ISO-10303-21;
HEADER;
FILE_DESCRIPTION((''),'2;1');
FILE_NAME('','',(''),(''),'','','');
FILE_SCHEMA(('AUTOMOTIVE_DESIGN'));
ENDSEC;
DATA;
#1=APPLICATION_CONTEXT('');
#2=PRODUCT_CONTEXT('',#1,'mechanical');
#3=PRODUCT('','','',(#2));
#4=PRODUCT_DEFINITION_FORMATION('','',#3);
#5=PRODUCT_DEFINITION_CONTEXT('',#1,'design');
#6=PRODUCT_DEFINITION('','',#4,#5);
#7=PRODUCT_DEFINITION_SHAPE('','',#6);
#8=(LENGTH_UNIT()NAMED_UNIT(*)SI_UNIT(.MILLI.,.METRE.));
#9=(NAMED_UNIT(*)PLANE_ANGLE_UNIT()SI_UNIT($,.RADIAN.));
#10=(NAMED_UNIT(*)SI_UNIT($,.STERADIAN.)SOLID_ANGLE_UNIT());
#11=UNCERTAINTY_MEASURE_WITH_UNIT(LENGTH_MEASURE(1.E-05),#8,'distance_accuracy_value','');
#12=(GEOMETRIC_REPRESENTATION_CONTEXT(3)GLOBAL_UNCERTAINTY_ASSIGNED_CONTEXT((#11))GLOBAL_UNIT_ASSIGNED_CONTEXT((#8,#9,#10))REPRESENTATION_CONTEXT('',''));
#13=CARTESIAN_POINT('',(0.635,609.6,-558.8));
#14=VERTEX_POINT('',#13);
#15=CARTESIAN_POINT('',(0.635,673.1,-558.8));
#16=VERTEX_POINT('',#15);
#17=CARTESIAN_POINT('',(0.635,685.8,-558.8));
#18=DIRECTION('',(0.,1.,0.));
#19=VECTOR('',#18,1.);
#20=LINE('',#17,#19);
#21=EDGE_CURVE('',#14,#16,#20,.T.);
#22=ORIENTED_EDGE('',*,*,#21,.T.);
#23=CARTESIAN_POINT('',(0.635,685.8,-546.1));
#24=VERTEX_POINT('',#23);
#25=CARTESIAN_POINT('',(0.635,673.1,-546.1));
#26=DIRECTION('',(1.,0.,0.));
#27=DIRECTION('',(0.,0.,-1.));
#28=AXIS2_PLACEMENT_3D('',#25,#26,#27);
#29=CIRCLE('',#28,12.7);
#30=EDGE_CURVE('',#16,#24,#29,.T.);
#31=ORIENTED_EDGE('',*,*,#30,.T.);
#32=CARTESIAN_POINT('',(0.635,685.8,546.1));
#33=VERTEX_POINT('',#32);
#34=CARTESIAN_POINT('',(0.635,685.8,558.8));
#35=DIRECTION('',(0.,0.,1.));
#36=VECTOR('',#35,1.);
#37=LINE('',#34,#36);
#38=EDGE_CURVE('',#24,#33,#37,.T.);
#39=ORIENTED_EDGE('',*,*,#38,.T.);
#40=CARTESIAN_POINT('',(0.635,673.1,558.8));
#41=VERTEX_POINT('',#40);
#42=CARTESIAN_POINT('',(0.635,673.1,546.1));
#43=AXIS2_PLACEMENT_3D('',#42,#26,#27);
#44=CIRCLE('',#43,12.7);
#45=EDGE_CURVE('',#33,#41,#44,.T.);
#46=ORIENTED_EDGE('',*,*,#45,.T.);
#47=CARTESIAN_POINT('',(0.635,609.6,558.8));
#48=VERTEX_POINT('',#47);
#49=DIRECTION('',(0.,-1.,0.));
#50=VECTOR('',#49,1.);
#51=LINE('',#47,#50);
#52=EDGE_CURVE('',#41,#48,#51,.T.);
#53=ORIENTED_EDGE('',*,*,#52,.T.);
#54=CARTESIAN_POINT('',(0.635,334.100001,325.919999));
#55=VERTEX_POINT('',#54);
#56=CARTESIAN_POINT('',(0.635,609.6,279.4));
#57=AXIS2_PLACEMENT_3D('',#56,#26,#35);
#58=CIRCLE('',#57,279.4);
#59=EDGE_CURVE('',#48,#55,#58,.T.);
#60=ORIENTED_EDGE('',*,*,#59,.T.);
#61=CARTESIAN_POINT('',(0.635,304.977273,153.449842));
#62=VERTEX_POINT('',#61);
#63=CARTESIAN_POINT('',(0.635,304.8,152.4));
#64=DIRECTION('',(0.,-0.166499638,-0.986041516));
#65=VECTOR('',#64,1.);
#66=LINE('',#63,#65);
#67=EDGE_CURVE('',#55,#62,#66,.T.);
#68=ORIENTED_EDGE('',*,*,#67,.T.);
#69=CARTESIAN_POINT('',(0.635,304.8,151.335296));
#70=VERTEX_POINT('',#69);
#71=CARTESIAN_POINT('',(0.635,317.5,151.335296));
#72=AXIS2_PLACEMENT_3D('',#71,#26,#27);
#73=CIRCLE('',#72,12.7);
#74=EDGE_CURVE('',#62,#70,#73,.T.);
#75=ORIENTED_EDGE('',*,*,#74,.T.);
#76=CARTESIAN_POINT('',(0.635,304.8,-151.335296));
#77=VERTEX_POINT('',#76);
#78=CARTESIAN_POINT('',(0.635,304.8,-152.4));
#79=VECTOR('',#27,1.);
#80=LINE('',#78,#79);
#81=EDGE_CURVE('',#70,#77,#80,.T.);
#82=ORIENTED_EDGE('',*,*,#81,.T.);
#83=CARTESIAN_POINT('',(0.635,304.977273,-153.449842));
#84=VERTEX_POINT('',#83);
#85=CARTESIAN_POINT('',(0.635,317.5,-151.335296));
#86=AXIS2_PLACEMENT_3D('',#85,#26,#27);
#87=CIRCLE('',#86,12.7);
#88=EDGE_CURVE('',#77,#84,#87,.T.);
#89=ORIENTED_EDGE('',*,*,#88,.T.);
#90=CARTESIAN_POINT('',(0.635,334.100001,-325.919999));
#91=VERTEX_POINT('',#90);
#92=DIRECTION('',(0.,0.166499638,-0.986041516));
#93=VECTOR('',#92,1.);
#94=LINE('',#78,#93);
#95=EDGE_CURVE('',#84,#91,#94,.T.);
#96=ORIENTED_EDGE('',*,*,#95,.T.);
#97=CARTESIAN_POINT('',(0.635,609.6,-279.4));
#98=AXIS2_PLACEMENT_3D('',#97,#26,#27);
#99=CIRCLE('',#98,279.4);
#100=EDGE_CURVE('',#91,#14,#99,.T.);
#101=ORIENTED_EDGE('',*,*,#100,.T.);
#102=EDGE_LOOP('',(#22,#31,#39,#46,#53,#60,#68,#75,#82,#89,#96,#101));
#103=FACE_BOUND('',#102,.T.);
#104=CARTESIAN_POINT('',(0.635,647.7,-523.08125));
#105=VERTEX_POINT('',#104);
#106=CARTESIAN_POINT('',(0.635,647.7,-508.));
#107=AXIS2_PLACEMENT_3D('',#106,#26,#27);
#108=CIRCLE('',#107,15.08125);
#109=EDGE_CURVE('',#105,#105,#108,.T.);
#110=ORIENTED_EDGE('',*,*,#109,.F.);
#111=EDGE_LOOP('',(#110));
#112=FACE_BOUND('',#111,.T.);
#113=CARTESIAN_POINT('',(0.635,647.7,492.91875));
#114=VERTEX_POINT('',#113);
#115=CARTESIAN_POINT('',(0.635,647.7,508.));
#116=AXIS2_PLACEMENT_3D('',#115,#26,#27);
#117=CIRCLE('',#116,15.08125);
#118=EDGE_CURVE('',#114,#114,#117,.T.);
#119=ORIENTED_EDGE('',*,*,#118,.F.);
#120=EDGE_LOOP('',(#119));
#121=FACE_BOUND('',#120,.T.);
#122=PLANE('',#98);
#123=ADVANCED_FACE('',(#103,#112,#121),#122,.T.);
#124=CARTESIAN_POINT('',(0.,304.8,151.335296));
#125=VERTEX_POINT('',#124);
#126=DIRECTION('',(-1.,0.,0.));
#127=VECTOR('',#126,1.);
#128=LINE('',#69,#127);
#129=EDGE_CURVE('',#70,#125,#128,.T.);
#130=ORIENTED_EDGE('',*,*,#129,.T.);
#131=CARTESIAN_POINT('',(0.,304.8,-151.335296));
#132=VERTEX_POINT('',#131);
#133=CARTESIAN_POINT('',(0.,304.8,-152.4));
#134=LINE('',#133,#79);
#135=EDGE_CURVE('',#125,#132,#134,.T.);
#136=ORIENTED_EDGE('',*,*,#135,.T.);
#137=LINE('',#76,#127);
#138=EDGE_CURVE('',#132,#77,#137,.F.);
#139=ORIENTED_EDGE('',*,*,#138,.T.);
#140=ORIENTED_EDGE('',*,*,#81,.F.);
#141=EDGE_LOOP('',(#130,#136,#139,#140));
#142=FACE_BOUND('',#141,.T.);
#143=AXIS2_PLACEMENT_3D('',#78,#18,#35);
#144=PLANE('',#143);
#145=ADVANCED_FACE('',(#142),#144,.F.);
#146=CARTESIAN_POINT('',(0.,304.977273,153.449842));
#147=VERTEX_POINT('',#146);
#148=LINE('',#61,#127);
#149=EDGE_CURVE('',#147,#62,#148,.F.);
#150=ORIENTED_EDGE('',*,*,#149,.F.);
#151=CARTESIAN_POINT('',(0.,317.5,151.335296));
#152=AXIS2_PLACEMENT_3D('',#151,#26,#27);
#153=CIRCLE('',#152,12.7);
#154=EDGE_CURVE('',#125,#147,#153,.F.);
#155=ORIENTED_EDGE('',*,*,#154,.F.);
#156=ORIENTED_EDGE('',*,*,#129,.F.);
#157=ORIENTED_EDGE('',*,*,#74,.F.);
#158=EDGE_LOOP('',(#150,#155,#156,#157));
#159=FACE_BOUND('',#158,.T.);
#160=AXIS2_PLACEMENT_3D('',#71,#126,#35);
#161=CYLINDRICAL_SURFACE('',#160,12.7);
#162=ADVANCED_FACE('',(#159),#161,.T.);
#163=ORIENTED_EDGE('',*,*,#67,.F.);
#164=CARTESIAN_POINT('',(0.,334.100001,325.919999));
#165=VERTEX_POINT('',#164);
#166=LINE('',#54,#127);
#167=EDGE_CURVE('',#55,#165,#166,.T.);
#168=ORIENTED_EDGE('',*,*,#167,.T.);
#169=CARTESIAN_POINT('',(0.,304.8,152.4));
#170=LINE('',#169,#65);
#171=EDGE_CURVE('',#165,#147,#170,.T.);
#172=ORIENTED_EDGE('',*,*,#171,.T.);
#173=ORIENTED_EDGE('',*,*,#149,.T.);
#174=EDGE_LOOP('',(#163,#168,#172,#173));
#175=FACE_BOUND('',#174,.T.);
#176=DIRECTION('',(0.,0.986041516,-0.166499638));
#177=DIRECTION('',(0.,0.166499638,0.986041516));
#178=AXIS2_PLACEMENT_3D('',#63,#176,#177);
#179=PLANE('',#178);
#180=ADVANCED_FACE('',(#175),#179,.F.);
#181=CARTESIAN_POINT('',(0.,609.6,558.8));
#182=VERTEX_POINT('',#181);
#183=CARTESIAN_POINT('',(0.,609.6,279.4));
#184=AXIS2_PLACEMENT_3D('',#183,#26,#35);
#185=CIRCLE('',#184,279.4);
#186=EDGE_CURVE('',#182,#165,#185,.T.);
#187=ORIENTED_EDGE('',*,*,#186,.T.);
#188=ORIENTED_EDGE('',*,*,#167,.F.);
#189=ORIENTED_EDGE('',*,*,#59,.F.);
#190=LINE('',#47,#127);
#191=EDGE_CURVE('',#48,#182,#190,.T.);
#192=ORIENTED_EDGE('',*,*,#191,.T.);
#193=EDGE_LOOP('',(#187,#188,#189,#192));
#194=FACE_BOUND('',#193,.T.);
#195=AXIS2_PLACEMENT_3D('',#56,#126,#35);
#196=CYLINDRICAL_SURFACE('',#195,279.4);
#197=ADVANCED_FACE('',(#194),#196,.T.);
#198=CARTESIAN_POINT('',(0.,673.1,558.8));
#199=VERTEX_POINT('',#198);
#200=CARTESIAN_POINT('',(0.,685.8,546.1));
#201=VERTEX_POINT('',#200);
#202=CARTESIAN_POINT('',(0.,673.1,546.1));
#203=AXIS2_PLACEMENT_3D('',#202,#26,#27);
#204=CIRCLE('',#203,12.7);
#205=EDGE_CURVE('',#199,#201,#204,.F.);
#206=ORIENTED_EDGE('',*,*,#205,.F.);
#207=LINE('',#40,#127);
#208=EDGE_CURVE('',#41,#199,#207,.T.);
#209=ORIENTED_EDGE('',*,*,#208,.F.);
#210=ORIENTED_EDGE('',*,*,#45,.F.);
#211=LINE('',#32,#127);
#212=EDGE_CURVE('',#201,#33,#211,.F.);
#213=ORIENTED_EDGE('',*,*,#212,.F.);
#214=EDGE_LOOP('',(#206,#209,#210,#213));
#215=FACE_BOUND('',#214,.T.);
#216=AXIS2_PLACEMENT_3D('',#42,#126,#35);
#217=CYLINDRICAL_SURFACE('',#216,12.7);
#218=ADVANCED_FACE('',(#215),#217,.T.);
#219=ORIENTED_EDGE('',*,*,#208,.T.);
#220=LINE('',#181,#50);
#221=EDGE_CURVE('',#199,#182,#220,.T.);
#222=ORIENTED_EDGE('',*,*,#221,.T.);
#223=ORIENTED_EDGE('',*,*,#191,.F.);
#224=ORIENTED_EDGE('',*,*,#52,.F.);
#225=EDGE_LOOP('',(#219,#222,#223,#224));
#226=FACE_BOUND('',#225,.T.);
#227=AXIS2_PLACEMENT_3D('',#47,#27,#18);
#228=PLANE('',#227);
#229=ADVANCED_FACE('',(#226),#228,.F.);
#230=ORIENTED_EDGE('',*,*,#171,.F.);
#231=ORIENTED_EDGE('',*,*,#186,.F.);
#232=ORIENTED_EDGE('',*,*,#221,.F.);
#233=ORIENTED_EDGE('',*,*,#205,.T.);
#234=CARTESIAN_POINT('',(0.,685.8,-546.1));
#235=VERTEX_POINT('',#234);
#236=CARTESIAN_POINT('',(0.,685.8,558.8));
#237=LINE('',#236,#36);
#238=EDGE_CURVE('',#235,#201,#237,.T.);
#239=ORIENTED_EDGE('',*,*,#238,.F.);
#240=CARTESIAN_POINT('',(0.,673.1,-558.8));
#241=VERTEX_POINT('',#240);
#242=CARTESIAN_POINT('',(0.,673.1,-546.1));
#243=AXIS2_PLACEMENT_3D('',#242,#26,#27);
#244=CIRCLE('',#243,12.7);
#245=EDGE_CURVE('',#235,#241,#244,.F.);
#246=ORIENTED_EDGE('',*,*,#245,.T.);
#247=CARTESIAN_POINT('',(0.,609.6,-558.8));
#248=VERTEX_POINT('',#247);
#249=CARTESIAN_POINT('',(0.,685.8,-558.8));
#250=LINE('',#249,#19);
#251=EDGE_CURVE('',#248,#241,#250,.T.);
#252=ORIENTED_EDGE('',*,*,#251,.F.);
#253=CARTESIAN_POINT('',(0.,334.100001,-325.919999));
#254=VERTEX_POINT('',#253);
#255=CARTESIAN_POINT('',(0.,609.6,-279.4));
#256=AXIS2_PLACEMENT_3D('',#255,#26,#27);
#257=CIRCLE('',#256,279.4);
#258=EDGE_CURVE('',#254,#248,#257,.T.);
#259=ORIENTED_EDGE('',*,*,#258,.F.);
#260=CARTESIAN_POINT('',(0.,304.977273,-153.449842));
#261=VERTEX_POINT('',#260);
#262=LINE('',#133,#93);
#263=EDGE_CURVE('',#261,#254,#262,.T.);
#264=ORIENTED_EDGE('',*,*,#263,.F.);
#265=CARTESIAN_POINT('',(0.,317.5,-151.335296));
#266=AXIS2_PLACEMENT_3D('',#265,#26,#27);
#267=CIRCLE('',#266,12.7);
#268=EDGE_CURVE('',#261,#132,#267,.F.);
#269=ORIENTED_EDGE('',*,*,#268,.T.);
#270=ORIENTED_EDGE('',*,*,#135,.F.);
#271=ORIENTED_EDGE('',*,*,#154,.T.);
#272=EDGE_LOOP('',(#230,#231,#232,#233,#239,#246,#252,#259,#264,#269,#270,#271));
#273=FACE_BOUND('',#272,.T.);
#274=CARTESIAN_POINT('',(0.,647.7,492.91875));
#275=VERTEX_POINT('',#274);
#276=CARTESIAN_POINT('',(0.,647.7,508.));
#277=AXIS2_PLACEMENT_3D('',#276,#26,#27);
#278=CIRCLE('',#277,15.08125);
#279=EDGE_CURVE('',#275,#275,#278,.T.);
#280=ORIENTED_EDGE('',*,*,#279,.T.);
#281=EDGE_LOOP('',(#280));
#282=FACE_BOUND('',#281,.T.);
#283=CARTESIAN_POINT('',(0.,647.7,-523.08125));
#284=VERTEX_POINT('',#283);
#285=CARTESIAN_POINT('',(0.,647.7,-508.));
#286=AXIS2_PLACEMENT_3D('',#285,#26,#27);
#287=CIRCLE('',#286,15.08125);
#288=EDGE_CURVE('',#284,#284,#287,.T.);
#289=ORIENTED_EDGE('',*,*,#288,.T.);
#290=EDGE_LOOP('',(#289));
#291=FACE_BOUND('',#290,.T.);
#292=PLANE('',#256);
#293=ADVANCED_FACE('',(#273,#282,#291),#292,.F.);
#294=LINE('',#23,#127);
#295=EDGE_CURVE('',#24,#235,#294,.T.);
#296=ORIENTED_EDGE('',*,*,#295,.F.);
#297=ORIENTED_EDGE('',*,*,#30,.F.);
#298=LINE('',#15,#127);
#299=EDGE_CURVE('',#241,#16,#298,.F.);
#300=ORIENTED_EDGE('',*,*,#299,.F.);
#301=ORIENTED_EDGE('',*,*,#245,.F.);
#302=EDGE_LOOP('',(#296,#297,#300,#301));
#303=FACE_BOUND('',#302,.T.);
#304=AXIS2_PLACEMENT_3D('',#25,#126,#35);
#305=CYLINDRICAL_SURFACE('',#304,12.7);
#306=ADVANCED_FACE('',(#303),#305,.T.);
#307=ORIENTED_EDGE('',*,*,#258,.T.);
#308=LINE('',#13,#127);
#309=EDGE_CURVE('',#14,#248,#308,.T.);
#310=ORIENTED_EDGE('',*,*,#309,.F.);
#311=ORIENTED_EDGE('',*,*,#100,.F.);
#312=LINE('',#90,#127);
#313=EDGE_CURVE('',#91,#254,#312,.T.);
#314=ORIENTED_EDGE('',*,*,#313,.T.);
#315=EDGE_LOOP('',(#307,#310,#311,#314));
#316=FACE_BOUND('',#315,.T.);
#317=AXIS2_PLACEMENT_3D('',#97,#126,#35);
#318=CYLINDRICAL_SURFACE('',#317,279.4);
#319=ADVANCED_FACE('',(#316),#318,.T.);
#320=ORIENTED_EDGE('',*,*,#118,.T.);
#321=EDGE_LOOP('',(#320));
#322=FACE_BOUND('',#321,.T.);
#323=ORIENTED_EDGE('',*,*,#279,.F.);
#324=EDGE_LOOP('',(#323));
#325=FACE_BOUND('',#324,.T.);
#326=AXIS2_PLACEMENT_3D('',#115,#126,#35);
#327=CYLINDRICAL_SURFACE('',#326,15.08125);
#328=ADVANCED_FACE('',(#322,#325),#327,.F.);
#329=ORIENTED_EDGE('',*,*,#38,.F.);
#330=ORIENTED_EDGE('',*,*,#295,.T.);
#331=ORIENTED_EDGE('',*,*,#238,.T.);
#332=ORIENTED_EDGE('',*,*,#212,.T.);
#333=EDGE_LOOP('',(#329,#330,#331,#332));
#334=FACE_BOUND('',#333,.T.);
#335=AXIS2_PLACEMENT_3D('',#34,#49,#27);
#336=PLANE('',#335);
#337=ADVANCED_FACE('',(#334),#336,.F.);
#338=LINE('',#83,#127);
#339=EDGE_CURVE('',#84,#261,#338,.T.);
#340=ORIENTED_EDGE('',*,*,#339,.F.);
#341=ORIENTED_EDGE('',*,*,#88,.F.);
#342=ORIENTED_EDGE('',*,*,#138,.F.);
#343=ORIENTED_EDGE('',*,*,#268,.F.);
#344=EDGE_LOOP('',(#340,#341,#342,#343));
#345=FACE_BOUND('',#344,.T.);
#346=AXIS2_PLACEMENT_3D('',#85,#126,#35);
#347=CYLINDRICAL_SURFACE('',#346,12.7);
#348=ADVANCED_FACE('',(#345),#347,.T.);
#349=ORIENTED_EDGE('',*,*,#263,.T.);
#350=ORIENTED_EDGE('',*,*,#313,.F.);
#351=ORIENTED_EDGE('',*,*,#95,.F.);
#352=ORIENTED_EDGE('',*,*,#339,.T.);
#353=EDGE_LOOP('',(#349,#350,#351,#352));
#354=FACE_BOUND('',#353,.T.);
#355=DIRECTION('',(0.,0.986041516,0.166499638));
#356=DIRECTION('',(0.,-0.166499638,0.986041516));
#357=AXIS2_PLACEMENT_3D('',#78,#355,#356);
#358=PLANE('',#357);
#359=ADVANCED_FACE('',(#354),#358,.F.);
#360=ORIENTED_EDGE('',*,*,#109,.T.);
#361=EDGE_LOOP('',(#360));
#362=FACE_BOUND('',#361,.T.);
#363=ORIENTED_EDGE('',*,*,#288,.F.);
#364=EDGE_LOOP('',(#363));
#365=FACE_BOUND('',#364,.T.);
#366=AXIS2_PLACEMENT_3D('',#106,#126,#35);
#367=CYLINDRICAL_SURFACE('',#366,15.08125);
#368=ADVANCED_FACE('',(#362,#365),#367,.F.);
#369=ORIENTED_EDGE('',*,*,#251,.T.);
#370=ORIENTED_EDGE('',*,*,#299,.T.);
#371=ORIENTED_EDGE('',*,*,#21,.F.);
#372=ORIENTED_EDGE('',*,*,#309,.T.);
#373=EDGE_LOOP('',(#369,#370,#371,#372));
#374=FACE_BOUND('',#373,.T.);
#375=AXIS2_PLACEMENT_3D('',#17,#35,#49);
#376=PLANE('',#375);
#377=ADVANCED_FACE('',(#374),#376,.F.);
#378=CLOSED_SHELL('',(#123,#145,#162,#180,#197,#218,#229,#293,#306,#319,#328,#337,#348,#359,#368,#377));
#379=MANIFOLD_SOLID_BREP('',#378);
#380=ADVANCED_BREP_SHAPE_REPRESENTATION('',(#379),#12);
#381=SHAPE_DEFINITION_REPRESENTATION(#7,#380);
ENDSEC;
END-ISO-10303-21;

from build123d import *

# Parameters (mm, degrees)
SKETCH1_R           = 15.08125
BOSS_EXTRUDE1_DEPTH = 0.635
FILLET1_R           = 12.7


with BuildPart() as part:
    # Sketch1 → Boss-Extrude1 (new body)
    with BuildSketch(Plane(origin=(0, 0, 0), x_dir=(0, 0, -1), z_dir=(1, 0, 0))):
        with BuildLine():
            Line((-558.8, 609.6), (-558.8, 685.8))
            Line((-558.8, 685.8), (558.8, 685.8))
            Line((558.8, 685.8), (558.8, 609.6))
            ThreePointArc((558.8, 609.6), (492.779998657, 429.230002015), (325.91999876, 334.100000517))
            Line((325.91999876, 334.100000517), (152.4, 304.8))
            Line((152.4, 304.8), (-152.4, 304.8))
            Line((-152.4, 304.8), (-325.91999876, 334.100000517))
            ThreePointArc((-325.91999876, 334.100000517), (-492.779998657, 429.230002015), (-558.8, 609.6))
        make_face()
        with Locations((-508, 647.7)):
            Circle(SKETCH1_R, mode=Mode.SUBTRACT)
        with Locations((508, 647.7)):
            Circle(SKETCH1_R, mode=Mode.SUBTRACT)
    extrude(amount=BOSS_EXTRUDE1_DEPTH)

    # Fillet1
    fillet1_edges = [part.edges().sort_by_distance(p)[0] for p in [
        (0.3175, 304.8, -152.4),
        (0.3175, 304.8, 152.4),
        (0.3175, 685.8, 558.8),
        (0.3175, 685.8, -558.8),
    ]]
    fillet(fillet1_edges, radius=FILLET1_R)


solid = part.part
